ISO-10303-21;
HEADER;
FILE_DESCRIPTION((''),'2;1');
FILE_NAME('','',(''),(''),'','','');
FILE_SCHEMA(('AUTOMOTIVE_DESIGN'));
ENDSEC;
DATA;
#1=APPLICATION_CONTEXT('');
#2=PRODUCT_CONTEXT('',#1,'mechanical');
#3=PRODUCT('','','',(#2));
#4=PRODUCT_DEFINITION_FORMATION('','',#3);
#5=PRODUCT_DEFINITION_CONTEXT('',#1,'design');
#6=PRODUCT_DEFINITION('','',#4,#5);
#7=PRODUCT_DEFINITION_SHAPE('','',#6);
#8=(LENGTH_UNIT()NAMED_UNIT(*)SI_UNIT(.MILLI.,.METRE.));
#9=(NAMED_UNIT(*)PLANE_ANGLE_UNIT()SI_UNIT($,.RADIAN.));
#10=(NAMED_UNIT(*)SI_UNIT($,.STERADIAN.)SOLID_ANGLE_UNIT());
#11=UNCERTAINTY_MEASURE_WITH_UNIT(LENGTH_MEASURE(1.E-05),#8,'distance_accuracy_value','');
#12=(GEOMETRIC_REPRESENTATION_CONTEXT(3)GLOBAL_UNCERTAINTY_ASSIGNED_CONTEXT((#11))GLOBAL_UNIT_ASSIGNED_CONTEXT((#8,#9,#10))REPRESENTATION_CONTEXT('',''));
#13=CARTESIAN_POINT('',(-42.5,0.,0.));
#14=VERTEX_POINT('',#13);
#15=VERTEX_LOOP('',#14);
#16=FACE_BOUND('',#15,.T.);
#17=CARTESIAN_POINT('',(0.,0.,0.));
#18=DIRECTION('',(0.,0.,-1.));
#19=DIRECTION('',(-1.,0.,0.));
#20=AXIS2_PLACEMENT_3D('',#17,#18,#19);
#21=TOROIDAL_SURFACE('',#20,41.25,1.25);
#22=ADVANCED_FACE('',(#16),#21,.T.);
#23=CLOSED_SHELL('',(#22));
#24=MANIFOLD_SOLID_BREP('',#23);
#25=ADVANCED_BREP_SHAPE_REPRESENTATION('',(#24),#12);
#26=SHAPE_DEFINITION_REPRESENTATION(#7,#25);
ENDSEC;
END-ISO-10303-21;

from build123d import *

# Parameters (mm, degrees)
SKETCH2_R = 1.25


with BuildPart() as part:
    # Sketch2 → Revolve1 (revolve)
    with BuildSketch(Plane(origin=(0, 0, 0), x_dir=(1, 0, 0), z_dir=(0, 1, 0))):
        with Locations((41.25, 0)):
            Circle(SKETCH2_R)
    revolve(axis=Axis((0, 0, -1.25), (0, 0, 1)))


solid = part.part
